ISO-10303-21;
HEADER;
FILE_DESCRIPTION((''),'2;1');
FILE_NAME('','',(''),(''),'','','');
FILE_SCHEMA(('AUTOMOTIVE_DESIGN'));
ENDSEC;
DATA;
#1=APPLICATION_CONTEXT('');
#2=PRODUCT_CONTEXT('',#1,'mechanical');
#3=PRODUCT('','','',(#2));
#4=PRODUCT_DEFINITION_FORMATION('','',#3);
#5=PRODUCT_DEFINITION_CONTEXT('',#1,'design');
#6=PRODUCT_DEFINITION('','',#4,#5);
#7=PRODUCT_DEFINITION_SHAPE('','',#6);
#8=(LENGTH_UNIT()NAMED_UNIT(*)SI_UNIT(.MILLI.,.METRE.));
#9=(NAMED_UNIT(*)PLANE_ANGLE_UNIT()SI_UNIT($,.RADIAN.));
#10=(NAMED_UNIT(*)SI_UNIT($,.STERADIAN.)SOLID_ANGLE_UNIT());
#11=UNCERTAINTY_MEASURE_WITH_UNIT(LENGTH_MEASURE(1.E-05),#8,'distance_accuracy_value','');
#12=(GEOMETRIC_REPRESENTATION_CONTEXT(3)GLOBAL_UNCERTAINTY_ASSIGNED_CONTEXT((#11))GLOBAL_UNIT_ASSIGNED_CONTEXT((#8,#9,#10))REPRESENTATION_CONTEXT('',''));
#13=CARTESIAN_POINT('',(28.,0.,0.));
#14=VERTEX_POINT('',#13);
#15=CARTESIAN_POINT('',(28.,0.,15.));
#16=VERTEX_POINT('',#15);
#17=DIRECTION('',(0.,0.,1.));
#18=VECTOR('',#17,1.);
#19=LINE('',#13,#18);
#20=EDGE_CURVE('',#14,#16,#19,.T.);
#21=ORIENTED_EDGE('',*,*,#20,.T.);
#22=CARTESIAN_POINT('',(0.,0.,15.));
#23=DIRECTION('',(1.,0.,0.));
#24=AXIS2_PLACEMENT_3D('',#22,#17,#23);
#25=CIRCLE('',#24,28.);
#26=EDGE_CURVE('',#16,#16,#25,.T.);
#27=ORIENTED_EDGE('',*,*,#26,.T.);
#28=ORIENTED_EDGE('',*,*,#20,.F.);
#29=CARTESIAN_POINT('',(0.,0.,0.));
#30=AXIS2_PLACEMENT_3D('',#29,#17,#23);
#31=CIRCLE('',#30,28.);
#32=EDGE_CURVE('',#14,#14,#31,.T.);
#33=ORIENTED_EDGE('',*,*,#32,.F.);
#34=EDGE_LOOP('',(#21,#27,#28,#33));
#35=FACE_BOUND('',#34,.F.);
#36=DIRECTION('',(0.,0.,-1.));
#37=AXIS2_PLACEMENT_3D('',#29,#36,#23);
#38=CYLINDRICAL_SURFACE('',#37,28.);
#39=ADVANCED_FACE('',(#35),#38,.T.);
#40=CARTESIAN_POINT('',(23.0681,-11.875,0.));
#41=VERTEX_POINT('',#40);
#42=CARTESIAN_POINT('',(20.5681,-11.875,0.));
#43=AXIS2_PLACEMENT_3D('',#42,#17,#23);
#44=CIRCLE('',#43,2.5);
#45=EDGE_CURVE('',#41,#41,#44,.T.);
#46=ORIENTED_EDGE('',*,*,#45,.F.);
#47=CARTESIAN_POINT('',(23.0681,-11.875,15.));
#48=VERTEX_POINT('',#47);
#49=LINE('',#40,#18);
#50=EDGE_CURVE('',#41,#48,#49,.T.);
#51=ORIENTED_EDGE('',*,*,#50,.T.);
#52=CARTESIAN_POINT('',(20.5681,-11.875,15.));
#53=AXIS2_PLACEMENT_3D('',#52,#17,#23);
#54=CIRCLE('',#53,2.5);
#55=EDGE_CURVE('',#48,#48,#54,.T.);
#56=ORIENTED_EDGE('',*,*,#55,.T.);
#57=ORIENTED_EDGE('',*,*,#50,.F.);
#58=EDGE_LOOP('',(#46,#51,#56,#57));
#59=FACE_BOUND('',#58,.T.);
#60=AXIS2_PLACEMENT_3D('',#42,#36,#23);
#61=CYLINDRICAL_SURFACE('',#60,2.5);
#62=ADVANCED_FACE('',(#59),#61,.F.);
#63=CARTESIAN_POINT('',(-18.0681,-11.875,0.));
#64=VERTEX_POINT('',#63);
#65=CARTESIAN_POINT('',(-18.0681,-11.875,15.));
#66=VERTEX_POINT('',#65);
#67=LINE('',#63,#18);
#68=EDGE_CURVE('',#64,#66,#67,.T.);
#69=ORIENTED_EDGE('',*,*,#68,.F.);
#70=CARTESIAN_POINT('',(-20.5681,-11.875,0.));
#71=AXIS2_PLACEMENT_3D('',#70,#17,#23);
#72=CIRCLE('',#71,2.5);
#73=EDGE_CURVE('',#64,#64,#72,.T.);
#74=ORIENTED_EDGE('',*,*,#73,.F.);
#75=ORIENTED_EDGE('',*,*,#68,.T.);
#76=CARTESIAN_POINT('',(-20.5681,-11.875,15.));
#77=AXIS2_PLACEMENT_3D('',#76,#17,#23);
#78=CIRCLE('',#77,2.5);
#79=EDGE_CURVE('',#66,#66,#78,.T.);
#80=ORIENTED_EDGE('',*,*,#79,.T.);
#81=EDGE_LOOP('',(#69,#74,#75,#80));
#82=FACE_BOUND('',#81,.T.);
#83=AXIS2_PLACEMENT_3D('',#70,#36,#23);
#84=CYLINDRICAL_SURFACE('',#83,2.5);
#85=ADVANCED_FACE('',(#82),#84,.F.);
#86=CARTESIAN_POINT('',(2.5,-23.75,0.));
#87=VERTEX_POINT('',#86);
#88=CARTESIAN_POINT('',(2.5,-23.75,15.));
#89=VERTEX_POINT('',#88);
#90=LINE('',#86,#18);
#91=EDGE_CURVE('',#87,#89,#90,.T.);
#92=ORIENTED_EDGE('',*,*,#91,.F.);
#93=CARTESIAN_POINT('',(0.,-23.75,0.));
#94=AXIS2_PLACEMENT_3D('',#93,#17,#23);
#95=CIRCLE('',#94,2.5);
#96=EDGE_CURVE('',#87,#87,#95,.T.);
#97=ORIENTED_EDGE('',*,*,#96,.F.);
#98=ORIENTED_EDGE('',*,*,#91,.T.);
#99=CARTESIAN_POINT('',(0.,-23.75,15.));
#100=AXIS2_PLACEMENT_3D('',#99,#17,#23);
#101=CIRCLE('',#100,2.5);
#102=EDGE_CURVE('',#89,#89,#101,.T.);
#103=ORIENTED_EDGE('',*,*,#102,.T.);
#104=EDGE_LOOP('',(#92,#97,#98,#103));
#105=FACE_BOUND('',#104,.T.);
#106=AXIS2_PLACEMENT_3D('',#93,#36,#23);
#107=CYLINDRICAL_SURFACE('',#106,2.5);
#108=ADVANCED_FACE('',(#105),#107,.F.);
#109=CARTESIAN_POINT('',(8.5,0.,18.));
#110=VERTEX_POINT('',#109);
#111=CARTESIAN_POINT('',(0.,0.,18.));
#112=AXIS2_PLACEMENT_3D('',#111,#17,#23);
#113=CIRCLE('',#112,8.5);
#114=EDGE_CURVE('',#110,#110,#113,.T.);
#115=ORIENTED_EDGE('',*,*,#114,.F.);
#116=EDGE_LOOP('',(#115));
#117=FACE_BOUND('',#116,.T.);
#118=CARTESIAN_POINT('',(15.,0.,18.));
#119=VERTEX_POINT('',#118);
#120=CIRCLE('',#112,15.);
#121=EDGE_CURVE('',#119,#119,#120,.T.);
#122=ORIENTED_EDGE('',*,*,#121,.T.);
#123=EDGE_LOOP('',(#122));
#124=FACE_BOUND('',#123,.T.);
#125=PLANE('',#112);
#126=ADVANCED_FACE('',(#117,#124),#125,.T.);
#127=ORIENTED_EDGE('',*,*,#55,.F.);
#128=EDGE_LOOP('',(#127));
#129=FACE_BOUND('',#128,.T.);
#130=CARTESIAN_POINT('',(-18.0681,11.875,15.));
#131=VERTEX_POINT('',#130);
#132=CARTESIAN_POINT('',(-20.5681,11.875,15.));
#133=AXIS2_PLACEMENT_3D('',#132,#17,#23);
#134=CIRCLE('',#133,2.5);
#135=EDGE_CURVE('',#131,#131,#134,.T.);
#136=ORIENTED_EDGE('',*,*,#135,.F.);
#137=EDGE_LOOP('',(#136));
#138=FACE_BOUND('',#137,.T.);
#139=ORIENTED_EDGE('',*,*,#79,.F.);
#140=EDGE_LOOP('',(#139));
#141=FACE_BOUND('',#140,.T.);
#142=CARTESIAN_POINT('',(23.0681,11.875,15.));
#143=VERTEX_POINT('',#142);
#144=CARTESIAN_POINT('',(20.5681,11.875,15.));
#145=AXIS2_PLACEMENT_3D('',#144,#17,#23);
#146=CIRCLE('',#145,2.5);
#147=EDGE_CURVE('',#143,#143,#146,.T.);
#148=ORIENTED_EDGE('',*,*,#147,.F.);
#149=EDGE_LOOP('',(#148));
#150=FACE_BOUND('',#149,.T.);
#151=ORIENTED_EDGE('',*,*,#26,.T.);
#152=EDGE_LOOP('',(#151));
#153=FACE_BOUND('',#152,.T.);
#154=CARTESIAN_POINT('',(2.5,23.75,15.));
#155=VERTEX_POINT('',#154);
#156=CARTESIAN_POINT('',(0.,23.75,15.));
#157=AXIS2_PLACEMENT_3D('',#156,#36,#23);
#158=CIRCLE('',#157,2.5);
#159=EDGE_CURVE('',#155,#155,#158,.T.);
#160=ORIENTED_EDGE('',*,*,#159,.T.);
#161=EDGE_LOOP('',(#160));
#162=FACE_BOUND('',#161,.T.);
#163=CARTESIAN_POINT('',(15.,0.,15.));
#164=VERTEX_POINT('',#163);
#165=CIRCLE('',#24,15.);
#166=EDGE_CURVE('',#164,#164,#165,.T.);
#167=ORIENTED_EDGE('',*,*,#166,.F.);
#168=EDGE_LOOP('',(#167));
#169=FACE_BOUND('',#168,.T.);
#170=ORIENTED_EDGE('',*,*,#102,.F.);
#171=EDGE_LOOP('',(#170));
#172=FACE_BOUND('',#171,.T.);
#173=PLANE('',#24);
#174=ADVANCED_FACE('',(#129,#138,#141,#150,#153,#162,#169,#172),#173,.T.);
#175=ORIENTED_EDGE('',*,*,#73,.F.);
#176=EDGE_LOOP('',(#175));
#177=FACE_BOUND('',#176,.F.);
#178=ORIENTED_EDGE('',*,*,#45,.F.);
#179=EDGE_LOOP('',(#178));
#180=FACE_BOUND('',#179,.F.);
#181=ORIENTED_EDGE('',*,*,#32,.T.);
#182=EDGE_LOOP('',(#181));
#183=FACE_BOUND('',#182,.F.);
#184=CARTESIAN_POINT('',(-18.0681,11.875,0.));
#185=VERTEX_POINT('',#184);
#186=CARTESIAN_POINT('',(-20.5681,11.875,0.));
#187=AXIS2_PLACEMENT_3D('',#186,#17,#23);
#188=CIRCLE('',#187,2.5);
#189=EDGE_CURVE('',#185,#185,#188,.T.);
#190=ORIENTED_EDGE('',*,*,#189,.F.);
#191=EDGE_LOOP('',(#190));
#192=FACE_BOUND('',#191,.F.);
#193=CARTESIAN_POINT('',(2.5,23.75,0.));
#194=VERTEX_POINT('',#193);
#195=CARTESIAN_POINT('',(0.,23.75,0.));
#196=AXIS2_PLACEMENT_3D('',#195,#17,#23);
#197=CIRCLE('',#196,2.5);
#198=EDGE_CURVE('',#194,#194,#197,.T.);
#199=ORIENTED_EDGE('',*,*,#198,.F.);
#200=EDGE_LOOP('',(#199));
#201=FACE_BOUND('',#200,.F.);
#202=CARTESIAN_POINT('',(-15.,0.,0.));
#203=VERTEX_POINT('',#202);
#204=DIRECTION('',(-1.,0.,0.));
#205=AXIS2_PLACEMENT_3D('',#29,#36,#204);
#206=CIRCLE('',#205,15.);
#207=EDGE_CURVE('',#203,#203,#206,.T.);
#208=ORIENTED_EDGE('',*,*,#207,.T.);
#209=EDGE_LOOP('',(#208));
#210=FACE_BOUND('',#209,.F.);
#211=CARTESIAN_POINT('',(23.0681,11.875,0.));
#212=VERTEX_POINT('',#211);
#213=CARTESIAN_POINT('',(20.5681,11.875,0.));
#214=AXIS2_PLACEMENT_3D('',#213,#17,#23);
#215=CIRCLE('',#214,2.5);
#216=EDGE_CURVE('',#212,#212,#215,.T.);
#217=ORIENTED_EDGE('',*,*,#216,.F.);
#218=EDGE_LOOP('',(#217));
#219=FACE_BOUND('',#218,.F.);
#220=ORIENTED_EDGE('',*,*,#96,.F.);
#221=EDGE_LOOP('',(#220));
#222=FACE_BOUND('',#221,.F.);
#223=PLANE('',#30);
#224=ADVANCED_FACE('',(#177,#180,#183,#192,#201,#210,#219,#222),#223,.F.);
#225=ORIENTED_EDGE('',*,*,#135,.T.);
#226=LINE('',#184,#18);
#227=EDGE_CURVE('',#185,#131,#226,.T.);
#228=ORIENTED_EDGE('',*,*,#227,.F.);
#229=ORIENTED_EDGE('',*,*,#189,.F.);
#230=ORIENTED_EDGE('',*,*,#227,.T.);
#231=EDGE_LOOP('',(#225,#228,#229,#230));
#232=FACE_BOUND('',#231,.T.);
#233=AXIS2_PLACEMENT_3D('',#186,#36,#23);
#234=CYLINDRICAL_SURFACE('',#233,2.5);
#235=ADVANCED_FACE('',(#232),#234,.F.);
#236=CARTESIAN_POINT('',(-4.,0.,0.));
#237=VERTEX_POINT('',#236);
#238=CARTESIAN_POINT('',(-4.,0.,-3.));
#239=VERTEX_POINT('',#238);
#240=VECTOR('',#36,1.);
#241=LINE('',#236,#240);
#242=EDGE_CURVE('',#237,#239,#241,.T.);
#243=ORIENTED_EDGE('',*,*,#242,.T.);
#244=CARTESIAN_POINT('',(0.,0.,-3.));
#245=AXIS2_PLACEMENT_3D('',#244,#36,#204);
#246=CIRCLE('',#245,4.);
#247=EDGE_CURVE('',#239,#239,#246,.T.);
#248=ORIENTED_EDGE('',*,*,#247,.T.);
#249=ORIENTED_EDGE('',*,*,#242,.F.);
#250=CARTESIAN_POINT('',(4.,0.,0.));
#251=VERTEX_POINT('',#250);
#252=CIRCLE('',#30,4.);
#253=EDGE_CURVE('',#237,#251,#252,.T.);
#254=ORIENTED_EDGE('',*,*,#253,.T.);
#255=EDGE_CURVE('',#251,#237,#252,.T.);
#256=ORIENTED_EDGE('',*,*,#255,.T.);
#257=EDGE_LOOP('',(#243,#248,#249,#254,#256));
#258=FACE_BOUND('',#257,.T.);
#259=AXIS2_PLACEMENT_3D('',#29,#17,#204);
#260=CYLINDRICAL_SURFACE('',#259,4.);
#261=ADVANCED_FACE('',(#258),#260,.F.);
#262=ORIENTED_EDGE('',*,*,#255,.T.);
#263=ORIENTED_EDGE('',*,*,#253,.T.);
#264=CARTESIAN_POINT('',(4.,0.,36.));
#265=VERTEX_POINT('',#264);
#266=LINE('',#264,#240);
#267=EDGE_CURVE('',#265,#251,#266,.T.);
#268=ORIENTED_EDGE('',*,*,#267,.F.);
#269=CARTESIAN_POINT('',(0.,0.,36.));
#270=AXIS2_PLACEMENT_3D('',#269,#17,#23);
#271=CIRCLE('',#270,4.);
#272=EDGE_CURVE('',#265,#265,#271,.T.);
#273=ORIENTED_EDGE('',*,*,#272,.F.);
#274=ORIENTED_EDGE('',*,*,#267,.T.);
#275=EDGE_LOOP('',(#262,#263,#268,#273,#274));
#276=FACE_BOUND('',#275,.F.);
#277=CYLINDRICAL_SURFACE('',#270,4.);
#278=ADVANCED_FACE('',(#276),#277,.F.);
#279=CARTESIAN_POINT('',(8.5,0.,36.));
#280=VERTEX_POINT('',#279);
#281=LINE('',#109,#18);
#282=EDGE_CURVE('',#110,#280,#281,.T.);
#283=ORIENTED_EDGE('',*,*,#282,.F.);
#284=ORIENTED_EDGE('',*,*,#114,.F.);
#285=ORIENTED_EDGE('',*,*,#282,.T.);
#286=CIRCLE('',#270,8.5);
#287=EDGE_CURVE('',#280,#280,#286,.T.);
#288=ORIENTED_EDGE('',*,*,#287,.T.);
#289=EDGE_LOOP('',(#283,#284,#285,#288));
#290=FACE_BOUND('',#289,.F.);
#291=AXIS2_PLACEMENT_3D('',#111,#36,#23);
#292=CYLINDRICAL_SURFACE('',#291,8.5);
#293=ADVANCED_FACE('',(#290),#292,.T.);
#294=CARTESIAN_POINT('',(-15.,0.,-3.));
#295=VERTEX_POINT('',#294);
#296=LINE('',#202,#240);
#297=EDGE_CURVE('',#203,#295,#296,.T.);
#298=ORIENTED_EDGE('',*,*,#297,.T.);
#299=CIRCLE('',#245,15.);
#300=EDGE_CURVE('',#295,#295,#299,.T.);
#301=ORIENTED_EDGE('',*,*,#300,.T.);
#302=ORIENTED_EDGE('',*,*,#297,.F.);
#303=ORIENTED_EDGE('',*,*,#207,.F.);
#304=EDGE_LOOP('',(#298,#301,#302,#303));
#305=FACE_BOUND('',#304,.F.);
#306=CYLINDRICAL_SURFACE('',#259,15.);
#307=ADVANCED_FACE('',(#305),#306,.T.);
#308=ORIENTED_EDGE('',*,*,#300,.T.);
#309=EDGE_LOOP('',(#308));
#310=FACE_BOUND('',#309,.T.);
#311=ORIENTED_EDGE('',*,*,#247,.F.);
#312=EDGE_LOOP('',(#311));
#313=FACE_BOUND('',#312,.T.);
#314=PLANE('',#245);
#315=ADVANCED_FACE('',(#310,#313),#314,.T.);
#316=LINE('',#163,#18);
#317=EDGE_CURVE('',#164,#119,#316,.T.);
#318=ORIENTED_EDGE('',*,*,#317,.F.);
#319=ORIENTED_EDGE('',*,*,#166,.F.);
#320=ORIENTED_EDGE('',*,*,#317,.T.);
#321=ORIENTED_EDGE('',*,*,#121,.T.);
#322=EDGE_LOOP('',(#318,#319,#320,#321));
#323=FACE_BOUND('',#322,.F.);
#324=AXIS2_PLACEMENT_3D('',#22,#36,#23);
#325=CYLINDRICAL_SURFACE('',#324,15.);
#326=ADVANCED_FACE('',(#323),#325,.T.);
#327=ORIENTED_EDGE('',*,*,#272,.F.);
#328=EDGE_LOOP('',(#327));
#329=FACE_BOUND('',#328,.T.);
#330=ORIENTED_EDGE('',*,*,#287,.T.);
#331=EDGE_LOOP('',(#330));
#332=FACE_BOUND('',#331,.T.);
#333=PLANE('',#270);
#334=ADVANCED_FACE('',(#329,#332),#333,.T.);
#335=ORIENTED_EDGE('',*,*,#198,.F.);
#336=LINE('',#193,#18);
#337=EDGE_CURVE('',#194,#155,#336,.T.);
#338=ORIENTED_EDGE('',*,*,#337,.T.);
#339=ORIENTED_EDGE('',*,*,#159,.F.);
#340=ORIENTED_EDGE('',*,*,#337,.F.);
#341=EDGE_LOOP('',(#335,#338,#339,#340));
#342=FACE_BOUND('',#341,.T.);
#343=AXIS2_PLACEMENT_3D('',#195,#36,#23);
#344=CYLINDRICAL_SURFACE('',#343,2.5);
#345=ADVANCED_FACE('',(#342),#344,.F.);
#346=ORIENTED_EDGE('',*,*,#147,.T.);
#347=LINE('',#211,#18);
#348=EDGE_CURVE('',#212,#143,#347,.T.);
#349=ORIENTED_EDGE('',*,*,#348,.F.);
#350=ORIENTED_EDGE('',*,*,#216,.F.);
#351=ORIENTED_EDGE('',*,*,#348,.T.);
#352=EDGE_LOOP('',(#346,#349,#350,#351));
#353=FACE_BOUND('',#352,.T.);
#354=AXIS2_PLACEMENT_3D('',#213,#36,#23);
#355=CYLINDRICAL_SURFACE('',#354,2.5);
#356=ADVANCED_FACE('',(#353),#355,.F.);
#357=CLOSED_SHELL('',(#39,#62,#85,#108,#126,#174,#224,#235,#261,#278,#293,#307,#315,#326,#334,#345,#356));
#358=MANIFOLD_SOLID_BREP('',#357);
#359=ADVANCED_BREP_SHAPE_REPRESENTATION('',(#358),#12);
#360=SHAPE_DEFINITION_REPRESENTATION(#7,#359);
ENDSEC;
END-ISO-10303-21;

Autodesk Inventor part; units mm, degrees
ref_plane "YZ Plane" through (0, 0, 0) normal (1, 0, 0) x (0, 1, 0)
ref_plane "XZ Plane" through (0, 0, 0) normal (0, 1, 0) x (-1, 0, 0)
ref_plane "XY Plane" through (0, 0, 0) normal (0, 0, 1) x (1, 0, 0)
sketch "Sketch1" plane through (0, 0, 0) normal (0, 0, 1) x (1, 0, 0)
  circle A0 centre (0, 0) radius 28
  line L0 (0, 0) -> (0, 23.75)
  circle A1 centre (0, 23.75) radius 2.5
  circle A2 centre (-20.5681, 11.875) radius 2.5
  circle A3 centre (-20.5681, -11.875) radius 2.5
  circle A4 centre (0, -23.75) radius 2.5
  circle A5 centre (20.5681, -11.875) radius 2.5
  circle A6 centre (20.5681, 11.875) radius 2.5
  dimension "d3" = 56
  dimension "d4" = 23.75
  dimension "d5" = 5
  dimension "d6" = 360
extrude "Extrusion1" add sketch "Sketch1" along normal blind 15
sketch "Sketch2" plane through (0, 0, 15) normal (0, 0, 1) x (1, 0, 0)
  circle A0 centre (0, 0) radius 15
  dimension "d9" = 30
extrude "Extrusion2" add sketch "Sketch2" along normal blind 3
sketch "Sketch3" plane through (0, 0, 18) normal (0, 0, 1) x (1, 0, 0)
  circle A0 centre (0, 0) radius 8.5
  dimension "d12" = 17
extrude "Extrusion3" add sketch "Sketch3" along normal blind 18
sketch "Sketch4" plane through (0, 0, 36) normal (0, 0, 1) x (1, 0, 0)
  circle A0 centre (0, 0) radius 4
  dimension "d15" = 8
extrude "Extrusion4" cut sketch "Sketch4" against normal through all
sketch "Sketch5" plane through (0, 0, 0) normal (0, 0, -1) x (-1, 0, 0)
  circle A0 centre (0, 0) radius 15
  circle A1 centre (0, 0) radius 4 projected
  dimension "d18" = 30
extrude "Extrusion5" add sketch "Sketch5" along normal blind 3
properties part number "HubOmni1" material "Iron, Cast"
